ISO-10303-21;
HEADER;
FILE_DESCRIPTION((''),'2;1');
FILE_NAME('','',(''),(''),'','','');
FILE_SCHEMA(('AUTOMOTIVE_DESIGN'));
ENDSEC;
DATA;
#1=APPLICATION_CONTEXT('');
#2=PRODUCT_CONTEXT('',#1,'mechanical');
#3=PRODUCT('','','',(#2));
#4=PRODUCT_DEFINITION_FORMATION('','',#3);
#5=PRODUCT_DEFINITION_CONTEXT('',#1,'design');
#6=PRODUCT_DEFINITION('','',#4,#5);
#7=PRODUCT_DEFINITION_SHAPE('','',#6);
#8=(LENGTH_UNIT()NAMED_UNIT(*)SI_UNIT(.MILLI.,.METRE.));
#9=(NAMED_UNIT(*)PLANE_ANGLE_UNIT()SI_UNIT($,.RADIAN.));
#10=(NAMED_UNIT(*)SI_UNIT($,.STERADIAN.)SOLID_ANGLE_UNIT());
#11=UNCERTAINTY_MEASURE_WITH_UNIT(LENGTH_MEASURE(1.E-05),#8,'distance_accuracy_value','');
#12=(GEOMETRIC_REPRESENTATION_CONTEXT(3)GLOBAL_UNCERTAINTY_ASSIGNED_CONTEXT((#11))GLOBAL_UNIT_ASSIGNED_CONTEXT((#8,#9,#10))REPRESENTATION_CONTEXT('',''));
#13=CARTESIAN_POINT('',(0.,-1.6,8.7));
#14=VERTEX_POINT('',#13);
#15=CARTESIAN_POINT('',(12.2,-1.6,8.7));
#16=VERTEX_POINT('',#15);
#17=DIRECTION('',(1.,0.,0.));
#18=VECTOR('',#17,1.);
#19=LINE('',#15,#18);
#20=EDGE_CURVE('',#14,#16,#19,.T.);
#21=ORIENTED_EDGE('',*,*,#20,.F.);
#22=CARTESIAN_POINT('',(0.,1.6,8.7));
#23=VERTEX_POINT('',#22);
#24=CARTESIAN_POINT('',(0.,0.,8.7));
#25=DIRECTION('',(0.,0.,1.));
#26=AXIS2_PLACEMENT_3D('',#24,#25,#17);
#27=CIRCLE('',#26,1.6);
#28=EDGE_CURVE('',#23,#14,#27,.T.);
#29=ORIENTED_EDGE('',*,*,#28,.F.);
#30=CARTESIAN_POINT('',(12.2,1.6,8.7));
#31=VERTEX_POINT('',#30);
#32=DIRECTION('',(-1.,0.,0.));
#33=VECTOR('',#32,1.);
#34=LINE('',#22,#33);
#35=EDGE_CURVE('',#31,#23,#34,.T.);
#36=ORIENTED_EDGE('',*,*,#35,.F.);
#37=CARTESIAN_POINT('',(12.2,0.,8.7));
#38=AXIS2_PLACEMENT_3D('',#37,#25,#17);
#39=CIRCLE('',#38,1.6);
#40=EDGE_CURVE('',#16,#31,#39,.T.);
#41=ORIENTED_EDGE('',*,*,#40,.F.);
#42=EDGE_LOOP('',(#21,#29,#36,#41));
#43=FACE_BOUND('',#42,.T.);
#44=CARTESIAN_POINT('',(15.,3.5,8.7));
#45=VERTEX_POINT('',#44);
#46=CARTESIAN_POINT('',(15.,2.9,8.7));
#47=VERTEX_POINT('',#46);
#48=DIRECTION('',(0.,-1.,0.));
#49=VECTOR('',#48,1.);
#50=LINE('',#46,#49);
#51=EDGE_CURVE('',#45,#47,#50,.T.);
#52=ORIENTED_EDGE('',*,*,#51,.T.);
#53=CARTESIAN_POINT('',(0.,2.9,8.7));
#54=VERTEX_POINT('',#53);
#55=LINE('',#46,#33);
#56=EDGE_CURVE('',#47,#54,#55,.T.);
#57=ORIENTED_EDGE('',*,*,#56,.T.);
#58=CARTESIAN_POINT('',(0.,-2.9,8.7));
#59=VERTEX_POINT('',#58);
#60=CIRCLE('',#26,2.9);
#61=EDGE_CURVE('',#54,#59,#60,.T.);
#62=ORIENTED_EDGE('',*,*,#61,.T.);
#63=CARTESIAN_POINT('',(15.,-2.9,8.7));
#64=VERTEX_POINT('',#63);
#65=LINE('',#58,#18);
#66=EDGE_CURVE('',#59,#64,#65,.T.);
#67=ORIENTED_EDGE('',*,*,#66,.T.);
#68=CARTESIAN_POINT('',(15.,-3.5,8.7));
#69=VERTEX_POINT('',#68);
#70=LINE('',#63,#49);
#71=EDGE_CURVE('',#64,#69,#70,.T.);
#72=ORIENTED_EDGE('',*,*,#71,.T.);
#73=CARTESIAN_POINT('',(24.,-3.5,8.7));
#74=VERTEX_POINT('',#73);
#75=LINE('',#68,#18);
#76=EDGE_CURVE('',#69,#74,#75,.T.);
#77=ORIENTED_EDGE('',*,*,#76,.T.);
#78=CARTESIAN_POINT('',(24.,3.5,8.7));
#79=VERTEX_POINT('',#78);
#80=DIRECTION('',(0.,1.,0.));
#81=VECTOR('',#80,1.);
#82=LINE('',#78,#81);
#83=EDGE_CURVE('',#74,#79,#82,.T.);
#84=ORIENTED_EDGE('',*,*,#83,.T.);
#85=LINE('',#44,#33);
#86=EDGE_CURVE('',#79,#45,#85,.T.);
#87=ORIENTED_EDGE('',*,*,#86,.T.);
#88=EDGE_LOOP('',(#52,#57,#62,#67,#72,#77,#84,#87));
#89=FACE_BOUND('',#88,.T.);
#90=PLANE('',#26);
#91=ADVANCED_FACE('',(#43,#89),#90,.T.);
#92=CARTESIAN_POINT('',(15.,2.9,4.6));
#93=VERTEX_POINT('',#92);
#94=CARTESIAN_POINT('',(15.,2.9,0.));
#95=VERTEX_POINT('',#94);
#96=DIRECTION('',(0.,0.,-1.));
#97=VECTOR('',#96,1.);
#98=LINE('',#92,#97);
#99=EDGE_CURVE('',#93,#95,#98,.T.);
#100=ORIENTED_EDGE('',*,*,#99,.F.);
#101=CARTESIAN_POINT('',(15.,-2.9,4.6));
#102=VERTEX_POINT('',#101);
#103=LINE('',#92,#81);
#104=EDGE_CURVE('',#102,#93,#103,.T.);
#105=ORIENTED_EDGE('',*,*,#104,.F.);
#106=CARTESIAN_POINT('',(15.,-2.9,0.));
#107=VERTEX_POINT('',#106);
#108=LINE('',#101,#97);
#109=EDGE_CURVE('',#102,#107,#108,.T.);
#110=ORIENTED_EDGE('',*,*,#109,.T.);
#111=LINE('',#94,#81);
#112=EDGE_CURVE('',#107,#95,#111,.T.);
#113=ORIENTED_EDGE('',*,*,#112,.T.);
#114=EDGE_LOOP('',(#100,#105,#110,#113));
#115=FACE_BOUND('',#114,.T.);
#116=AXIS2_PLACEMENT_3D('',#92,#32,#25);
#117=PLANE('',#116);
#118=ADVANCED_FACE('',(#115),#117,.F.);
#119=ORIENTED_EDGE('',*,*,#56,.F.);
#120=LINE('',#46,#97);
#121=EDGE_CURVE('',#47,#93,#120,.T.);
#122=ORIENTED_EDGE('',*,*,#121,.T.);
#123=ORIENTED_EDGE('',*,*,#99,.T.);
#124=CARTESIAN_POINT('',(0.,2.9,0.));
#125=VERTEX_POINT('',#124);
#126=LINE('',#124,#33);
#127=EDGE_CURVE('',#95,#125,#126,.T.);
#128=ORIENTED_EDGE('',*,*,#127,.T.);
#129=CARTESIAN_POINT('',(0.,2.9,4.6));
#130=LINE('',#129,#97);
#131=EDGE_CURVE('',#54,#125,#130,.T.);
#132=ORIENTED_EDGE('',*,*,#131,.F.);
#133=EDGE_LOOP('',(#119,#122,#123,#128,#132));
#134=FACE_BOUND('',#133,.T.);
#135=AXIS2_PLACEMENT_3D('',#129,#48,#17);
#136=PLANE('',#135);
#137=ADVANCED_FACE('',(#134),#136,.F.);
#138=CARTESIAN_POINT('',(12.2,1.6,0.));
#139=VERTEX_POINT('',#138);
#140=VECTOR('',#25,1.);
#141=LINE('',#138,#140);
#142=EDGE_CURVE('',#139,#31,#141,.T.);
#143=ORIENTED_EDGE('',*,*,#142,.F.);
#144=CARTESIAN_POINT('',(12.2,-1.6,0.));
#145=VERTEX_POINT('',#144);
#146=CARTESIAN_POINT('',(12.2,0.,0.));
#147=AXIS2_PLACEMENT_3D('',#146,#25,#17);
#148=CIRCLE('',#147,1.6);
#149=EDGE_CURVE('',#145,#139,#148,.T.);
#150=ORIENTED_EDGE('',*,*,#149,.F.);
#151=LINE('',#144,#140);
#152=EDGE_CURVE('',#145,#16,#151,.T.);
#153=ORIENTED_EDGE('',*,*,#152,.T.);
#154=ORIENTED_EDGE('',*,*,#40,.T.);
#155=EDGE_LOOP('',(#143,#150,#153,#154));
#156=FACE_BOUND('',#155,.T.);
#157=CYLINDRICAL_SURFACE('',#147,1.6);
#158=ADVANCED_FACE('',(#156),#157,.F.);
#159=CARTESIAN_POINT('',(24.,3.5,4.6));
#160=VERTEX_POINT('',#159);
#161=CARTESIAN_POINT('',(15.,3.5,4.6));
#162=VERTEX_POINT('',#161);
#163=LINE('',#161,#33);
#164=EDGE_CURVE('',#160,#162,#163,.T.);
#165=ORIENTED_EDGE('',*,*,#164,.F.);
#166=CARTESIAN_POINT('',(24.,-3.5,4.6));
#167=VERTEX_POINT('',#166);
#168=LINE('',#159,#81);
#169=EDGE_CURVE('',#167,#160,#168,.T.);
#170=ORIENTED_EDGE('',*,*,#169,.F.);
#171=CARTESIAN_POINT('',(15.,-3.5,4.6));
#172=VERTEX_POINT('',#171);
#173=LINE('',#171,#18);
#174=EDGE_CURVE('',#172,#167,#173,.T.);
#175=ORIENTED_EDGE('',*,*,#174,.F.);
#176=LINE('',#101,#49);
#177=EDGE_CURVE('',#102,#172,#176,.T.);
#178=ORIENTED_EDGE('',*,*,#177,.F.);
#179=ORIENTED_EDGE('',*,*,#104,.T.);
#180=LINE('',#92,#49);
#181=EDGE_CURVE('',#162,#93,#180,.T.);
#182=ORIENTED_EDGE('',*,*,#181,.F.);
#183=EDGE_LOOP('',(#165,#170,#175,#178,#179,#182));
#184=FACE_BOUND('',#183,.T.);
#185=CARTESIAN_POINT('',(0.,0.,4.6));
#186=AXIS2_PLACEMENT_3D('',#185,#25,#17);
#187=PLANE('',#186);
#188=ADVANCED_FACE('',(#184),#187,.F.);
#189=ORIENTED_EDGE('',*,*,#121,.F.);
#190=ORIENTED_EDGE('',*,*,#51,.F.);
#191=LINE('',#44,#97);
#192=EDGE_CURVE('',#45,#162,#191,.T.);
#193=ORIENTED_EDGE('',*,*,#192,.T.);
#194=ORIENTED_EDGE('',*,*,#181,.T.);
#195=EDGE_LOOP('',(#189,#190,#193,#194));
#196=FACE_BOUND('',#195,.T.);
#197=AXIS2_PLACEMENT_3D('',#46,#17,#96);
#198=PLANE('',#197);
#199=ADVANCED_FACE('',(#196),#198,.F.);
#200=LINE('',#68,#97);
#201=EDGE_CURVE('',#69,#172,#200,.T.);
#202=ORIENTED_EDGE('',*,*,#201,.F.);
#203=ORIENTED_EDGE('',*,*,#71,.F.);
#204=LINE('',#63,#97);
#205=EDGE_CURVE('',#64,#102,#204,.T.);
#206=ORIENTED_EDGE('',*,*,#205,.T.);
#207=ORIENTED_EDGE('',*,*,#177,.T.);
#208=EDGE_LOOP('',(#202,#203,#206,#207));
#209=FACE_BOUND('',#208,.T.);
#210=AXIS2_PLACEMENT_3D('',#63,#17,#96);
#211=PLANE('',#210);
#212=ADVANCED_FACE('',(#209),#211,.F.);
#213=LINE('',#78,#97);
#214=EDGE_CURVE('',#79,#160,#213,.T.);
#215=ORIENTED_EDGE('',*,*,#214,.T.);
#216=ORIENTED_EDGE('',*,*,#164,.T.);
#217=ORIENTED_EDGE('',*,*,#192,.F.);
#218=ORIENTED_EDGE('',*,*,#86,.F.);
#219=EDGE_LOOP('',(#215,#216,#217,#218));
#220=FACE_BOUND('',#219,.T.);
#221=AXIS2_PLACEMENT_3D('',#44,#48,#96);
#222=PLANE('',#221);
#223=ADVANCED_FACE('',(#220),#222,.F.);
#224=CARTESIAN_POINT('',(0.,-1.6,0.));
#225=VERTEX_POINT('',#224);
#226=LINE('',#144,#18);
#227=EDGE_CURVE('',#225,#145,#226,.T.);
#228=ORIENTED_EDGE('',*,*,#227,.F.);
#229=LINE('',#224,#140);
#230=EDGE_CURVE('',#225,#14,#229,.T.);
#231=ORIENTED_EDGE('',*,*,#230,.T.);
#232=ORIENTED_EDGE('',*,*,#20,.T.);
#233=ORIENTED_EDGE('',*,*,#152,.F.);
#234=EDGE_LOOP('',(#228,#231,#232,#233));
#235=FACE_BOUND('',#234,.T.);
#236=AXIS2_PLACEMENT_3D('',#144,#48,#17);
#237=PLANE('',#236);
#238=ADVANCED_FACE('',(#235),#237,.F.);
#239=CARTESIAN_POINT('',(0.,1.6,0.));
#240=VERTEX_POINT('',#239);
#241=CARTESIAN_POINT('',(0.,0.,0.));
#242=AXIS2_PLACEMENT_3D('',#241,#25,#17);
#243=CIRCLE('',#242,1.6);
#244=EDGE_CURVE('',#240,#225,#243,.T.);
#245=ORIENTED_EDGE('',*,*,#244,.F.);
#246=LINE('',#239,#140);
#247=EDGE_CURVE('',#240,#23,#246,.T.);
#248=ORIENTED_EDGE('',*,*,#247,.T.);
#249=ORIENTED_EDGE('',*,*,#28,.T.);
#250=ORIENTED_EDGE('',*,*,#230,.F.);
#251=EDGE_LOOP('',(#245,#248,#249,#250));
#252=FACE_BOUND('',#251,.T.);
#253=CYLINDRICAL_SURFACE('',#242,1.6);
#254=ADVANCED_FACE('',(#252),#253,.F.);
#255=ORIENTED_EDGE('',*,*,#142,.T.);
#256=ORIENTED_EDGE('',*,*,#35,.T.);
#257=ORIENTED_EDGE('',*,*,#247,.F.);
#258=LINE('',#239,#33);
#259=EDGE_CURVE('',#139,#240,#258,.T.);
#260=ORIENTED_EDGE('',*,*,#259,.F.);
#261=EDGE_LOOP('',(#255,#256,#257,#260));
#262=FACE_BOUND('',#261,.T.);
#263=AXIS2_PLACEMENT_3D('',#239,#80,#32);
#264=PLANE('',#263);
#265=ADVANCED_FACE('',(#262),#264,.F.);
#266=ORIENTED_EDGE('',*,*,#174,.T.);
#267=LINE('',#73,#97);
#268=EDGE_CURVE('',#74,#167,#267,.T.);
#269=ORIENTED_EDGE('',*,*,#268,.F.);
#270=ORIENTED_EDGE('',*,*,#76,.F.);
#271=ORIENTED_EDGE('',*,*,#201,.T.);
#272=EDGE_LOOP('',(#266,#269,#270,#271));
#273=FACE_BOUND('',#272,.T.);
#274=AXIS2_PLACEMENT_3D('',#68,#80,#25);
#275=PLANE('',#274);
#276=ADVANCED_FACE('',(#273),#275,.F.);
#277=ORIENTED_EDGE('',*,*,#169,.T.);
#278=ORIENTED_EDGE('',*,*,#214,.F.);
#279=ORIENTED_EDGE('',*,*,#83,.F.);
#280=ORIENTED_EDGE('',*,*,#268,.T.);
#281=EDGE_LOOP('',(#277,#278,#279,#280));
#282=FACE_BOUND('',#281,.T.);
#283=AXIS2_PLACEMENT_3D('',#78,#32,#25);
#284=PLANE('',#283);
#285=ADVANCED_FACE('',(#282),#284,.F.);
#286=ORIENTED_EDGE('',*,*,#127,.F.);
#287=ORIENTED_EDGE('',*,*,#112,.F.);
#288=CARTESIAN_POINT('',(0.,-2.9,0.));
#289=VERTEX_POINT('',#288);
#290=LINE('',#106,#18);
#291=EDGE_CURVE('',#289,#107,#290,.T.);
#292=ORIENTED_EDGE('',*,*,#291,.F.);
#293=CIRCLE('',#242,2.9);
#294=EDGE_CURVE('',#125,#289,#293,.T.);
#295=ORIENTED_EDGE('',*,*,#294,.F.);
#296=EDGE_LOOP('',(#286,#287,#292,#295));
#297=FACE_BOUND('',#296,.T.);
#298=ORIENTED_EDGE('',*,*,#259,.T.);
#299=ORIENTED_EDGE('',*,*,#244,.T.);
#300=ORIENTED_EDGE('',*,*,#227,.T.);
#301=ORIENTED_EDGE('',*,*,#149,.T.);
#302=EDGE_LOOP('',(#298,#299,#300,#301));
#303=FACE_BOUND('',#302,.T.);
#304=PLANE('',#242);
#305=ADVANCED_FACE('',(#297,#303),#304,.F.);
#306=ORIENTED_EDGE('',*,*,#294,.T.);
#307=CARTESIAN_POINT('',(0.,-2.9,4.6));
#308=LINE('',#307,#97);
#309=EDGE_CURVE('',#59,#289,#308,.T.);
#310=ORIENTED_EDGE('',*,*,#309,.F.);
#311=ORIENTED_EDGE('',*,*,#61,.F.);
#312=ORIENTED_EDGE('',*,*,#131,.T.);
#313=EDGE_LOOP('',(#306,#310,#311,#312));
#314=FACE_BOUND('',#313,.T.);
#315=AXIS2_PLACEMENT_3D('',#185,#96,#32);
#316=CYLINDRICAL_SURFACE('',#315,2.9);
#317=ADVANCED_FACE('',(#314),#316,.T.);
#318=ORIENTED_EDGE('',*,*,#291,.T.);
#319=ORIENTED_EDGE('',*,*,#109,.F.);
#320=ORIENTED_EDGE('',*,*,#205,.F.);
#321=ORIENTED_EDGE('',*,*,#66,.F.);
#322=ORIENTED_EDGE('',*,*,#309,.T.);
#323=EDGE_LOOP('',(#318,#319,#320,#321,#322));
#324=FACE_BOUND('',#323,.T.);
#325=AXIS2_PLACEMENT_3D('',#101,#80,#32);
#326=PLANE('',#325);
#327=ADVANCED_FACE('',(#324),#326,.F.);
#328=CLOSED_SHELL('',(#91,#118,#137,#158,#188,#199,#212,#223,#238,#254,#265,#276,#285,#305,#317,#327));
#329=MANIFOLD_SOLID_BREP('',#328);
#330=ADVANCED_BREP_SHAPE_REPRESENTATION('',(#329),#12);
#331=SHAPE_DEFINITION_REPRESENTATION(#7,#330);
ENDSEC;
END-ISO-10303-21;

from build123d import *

# Parameters (mm, degrees)
EXTRUDE_1_DEPTH     = 4.6
EXTRUDE_2_DEPTH     = 4.1
CUT_EXTRUDE_1_DEPTH = 26.767033201


with BuildPart() as part:
    # Эскиз1 → Бобышка-Вытянуть1 (new body)
    with BuildSketch(Plane.XY):
        with BuildLine():
            Line((0, 2.9), (15, 2.9))
            Line((15, 2.9), (15, -2.9))
            Line((15, -2.9), (0, -2.9))
            ThreePointArc((0, -2.9), (-2.9, 0), (0, 2.9))
        make_face()
    extrude(amount=EXTRUDE_1_DEPTH)

    # Эскиз2 → Бобышка-Вытянуть2 (add)
    with BuildSketch(Plane.XY.offset(4.6)):
        with BuildLine():
            Line((24, 3.5), (24, -3.5))
            Line((24, -3.5), (15, -3.5))
            Line((15, -3.5), (15, -2.9))
            Line((15, -2.9), (0, -2.9))
            ThreePointArc((0, -2.9), (-2.9, 0), (0, 2.9))
            Line((0, 2.9), (15, 2.9))
            Line((15, 2.9), (15, 3.5))
            Line((15, 3.5), (24, 3.5))
        make_face()
    extrude(amount=EXTRUDE_2_DEPTH)

    # Эскиз3 → Вырез-Вытянуть1 (cut, through all)
    with BuildSketch(Plane.XY.offset(8.7)):
        with BuildLine():
            Line((0, 1.6), (12.2, 1.6))
            ThreePointArc((12.2, 1.6), (13.8, 0), (12.2, -1.6))
            Line((12.2, -1.6), (0, -1.6))
            ThreePointArc((0, -1.6), (-1.6, 0), (0, 1.6))
        make_face()
    extrude(amount=-CUT_EXTRUDE_1_DEPTH, mode=Mode.SUBTRACT)


solid = part.part
